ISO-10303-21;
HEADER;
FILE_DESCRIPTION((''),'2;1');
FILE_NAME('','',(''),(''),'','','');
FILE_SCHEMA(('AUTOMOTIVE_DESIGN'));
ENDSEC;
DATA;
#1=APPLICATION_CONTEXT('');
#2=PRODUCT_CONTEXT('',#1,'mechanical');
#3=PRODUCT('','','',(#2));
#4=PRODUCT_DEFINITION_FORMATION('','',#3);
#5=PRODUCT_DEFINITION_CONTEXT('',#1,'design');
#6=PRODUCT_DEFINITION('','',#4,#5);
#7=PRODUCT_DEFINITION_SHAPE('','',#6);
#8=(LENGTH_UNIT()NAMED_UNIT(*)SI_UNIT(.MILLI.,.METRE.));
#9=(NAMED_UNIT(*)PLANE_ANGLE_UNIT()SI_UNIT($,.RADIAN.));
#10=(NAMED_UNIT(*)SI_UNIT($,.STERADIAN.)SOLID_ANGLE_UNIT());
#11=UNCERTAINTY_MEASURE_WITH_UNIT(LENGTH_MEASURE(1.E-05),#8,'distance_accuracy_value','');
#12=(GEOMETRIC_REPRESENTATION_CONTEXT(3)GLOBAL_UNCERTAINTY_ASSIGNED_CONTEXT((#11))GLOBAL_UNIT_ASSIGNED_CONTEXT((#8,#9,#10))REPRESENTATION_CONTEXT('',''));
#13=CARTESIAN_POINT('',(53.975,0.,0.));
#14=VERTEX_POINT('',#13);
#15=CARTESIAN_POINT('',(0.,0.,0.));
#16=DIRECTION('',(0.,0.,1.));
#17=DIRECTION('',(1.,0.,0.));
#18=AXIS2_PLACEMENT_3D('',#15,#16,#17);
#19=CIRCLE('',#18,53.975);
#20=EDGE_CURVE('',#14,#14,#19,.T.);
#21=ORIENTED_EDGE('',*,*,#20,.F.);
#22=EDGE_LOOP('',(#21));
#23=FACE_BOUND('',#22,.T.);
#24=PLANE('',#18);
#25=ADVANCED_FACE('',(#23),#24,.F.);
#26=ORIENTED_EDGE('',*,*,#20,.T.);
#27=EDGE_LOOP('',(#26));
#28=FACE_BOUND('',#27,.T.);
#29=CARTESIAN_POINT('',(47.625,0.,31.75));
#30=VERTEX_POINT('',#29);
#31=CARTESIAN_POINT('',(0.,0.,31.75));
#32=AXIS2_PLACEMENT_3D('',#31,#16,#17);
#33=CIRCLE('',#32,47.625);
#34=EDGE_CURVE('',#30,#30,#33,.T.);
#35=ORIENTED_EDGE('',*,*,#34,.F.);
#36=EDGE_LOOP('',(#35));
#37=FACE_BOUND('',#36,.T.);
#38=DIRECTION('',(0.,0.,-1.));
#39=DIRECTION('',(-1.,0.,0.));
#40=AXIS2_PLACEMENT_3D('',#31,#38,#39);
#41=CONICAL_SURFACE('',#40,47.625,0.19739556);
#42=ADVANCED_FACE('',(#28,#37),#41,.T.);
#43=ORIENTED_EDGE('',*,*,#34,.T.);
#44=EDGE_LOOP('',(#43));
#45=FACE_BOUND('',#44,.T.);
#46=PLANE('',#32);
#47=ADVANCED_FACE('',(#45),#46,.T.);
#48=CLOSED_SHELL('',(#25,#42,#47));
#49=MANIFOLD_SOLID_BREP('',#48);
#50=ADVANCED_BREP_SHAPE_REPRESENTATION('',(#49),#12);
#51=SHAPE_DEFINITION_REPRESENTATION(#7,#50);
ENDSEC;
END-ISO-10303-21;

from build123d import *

# Parameters (mm, degrees)
SKETCH1_R = 53.975
SKETCH2_R = 47.625


with BuildPart() as part:
    # Sketch1 → Loft1 section 0
    with BuildSketch(Plane.XY):
        Circle(SKETCH1_R)
    # Sketch2 → Loft1 section 1
    with BuildSketch(Plane.XY.offset(31.75)):
        Circle(SKETCH2_R)
    loft()


solid = part.part
